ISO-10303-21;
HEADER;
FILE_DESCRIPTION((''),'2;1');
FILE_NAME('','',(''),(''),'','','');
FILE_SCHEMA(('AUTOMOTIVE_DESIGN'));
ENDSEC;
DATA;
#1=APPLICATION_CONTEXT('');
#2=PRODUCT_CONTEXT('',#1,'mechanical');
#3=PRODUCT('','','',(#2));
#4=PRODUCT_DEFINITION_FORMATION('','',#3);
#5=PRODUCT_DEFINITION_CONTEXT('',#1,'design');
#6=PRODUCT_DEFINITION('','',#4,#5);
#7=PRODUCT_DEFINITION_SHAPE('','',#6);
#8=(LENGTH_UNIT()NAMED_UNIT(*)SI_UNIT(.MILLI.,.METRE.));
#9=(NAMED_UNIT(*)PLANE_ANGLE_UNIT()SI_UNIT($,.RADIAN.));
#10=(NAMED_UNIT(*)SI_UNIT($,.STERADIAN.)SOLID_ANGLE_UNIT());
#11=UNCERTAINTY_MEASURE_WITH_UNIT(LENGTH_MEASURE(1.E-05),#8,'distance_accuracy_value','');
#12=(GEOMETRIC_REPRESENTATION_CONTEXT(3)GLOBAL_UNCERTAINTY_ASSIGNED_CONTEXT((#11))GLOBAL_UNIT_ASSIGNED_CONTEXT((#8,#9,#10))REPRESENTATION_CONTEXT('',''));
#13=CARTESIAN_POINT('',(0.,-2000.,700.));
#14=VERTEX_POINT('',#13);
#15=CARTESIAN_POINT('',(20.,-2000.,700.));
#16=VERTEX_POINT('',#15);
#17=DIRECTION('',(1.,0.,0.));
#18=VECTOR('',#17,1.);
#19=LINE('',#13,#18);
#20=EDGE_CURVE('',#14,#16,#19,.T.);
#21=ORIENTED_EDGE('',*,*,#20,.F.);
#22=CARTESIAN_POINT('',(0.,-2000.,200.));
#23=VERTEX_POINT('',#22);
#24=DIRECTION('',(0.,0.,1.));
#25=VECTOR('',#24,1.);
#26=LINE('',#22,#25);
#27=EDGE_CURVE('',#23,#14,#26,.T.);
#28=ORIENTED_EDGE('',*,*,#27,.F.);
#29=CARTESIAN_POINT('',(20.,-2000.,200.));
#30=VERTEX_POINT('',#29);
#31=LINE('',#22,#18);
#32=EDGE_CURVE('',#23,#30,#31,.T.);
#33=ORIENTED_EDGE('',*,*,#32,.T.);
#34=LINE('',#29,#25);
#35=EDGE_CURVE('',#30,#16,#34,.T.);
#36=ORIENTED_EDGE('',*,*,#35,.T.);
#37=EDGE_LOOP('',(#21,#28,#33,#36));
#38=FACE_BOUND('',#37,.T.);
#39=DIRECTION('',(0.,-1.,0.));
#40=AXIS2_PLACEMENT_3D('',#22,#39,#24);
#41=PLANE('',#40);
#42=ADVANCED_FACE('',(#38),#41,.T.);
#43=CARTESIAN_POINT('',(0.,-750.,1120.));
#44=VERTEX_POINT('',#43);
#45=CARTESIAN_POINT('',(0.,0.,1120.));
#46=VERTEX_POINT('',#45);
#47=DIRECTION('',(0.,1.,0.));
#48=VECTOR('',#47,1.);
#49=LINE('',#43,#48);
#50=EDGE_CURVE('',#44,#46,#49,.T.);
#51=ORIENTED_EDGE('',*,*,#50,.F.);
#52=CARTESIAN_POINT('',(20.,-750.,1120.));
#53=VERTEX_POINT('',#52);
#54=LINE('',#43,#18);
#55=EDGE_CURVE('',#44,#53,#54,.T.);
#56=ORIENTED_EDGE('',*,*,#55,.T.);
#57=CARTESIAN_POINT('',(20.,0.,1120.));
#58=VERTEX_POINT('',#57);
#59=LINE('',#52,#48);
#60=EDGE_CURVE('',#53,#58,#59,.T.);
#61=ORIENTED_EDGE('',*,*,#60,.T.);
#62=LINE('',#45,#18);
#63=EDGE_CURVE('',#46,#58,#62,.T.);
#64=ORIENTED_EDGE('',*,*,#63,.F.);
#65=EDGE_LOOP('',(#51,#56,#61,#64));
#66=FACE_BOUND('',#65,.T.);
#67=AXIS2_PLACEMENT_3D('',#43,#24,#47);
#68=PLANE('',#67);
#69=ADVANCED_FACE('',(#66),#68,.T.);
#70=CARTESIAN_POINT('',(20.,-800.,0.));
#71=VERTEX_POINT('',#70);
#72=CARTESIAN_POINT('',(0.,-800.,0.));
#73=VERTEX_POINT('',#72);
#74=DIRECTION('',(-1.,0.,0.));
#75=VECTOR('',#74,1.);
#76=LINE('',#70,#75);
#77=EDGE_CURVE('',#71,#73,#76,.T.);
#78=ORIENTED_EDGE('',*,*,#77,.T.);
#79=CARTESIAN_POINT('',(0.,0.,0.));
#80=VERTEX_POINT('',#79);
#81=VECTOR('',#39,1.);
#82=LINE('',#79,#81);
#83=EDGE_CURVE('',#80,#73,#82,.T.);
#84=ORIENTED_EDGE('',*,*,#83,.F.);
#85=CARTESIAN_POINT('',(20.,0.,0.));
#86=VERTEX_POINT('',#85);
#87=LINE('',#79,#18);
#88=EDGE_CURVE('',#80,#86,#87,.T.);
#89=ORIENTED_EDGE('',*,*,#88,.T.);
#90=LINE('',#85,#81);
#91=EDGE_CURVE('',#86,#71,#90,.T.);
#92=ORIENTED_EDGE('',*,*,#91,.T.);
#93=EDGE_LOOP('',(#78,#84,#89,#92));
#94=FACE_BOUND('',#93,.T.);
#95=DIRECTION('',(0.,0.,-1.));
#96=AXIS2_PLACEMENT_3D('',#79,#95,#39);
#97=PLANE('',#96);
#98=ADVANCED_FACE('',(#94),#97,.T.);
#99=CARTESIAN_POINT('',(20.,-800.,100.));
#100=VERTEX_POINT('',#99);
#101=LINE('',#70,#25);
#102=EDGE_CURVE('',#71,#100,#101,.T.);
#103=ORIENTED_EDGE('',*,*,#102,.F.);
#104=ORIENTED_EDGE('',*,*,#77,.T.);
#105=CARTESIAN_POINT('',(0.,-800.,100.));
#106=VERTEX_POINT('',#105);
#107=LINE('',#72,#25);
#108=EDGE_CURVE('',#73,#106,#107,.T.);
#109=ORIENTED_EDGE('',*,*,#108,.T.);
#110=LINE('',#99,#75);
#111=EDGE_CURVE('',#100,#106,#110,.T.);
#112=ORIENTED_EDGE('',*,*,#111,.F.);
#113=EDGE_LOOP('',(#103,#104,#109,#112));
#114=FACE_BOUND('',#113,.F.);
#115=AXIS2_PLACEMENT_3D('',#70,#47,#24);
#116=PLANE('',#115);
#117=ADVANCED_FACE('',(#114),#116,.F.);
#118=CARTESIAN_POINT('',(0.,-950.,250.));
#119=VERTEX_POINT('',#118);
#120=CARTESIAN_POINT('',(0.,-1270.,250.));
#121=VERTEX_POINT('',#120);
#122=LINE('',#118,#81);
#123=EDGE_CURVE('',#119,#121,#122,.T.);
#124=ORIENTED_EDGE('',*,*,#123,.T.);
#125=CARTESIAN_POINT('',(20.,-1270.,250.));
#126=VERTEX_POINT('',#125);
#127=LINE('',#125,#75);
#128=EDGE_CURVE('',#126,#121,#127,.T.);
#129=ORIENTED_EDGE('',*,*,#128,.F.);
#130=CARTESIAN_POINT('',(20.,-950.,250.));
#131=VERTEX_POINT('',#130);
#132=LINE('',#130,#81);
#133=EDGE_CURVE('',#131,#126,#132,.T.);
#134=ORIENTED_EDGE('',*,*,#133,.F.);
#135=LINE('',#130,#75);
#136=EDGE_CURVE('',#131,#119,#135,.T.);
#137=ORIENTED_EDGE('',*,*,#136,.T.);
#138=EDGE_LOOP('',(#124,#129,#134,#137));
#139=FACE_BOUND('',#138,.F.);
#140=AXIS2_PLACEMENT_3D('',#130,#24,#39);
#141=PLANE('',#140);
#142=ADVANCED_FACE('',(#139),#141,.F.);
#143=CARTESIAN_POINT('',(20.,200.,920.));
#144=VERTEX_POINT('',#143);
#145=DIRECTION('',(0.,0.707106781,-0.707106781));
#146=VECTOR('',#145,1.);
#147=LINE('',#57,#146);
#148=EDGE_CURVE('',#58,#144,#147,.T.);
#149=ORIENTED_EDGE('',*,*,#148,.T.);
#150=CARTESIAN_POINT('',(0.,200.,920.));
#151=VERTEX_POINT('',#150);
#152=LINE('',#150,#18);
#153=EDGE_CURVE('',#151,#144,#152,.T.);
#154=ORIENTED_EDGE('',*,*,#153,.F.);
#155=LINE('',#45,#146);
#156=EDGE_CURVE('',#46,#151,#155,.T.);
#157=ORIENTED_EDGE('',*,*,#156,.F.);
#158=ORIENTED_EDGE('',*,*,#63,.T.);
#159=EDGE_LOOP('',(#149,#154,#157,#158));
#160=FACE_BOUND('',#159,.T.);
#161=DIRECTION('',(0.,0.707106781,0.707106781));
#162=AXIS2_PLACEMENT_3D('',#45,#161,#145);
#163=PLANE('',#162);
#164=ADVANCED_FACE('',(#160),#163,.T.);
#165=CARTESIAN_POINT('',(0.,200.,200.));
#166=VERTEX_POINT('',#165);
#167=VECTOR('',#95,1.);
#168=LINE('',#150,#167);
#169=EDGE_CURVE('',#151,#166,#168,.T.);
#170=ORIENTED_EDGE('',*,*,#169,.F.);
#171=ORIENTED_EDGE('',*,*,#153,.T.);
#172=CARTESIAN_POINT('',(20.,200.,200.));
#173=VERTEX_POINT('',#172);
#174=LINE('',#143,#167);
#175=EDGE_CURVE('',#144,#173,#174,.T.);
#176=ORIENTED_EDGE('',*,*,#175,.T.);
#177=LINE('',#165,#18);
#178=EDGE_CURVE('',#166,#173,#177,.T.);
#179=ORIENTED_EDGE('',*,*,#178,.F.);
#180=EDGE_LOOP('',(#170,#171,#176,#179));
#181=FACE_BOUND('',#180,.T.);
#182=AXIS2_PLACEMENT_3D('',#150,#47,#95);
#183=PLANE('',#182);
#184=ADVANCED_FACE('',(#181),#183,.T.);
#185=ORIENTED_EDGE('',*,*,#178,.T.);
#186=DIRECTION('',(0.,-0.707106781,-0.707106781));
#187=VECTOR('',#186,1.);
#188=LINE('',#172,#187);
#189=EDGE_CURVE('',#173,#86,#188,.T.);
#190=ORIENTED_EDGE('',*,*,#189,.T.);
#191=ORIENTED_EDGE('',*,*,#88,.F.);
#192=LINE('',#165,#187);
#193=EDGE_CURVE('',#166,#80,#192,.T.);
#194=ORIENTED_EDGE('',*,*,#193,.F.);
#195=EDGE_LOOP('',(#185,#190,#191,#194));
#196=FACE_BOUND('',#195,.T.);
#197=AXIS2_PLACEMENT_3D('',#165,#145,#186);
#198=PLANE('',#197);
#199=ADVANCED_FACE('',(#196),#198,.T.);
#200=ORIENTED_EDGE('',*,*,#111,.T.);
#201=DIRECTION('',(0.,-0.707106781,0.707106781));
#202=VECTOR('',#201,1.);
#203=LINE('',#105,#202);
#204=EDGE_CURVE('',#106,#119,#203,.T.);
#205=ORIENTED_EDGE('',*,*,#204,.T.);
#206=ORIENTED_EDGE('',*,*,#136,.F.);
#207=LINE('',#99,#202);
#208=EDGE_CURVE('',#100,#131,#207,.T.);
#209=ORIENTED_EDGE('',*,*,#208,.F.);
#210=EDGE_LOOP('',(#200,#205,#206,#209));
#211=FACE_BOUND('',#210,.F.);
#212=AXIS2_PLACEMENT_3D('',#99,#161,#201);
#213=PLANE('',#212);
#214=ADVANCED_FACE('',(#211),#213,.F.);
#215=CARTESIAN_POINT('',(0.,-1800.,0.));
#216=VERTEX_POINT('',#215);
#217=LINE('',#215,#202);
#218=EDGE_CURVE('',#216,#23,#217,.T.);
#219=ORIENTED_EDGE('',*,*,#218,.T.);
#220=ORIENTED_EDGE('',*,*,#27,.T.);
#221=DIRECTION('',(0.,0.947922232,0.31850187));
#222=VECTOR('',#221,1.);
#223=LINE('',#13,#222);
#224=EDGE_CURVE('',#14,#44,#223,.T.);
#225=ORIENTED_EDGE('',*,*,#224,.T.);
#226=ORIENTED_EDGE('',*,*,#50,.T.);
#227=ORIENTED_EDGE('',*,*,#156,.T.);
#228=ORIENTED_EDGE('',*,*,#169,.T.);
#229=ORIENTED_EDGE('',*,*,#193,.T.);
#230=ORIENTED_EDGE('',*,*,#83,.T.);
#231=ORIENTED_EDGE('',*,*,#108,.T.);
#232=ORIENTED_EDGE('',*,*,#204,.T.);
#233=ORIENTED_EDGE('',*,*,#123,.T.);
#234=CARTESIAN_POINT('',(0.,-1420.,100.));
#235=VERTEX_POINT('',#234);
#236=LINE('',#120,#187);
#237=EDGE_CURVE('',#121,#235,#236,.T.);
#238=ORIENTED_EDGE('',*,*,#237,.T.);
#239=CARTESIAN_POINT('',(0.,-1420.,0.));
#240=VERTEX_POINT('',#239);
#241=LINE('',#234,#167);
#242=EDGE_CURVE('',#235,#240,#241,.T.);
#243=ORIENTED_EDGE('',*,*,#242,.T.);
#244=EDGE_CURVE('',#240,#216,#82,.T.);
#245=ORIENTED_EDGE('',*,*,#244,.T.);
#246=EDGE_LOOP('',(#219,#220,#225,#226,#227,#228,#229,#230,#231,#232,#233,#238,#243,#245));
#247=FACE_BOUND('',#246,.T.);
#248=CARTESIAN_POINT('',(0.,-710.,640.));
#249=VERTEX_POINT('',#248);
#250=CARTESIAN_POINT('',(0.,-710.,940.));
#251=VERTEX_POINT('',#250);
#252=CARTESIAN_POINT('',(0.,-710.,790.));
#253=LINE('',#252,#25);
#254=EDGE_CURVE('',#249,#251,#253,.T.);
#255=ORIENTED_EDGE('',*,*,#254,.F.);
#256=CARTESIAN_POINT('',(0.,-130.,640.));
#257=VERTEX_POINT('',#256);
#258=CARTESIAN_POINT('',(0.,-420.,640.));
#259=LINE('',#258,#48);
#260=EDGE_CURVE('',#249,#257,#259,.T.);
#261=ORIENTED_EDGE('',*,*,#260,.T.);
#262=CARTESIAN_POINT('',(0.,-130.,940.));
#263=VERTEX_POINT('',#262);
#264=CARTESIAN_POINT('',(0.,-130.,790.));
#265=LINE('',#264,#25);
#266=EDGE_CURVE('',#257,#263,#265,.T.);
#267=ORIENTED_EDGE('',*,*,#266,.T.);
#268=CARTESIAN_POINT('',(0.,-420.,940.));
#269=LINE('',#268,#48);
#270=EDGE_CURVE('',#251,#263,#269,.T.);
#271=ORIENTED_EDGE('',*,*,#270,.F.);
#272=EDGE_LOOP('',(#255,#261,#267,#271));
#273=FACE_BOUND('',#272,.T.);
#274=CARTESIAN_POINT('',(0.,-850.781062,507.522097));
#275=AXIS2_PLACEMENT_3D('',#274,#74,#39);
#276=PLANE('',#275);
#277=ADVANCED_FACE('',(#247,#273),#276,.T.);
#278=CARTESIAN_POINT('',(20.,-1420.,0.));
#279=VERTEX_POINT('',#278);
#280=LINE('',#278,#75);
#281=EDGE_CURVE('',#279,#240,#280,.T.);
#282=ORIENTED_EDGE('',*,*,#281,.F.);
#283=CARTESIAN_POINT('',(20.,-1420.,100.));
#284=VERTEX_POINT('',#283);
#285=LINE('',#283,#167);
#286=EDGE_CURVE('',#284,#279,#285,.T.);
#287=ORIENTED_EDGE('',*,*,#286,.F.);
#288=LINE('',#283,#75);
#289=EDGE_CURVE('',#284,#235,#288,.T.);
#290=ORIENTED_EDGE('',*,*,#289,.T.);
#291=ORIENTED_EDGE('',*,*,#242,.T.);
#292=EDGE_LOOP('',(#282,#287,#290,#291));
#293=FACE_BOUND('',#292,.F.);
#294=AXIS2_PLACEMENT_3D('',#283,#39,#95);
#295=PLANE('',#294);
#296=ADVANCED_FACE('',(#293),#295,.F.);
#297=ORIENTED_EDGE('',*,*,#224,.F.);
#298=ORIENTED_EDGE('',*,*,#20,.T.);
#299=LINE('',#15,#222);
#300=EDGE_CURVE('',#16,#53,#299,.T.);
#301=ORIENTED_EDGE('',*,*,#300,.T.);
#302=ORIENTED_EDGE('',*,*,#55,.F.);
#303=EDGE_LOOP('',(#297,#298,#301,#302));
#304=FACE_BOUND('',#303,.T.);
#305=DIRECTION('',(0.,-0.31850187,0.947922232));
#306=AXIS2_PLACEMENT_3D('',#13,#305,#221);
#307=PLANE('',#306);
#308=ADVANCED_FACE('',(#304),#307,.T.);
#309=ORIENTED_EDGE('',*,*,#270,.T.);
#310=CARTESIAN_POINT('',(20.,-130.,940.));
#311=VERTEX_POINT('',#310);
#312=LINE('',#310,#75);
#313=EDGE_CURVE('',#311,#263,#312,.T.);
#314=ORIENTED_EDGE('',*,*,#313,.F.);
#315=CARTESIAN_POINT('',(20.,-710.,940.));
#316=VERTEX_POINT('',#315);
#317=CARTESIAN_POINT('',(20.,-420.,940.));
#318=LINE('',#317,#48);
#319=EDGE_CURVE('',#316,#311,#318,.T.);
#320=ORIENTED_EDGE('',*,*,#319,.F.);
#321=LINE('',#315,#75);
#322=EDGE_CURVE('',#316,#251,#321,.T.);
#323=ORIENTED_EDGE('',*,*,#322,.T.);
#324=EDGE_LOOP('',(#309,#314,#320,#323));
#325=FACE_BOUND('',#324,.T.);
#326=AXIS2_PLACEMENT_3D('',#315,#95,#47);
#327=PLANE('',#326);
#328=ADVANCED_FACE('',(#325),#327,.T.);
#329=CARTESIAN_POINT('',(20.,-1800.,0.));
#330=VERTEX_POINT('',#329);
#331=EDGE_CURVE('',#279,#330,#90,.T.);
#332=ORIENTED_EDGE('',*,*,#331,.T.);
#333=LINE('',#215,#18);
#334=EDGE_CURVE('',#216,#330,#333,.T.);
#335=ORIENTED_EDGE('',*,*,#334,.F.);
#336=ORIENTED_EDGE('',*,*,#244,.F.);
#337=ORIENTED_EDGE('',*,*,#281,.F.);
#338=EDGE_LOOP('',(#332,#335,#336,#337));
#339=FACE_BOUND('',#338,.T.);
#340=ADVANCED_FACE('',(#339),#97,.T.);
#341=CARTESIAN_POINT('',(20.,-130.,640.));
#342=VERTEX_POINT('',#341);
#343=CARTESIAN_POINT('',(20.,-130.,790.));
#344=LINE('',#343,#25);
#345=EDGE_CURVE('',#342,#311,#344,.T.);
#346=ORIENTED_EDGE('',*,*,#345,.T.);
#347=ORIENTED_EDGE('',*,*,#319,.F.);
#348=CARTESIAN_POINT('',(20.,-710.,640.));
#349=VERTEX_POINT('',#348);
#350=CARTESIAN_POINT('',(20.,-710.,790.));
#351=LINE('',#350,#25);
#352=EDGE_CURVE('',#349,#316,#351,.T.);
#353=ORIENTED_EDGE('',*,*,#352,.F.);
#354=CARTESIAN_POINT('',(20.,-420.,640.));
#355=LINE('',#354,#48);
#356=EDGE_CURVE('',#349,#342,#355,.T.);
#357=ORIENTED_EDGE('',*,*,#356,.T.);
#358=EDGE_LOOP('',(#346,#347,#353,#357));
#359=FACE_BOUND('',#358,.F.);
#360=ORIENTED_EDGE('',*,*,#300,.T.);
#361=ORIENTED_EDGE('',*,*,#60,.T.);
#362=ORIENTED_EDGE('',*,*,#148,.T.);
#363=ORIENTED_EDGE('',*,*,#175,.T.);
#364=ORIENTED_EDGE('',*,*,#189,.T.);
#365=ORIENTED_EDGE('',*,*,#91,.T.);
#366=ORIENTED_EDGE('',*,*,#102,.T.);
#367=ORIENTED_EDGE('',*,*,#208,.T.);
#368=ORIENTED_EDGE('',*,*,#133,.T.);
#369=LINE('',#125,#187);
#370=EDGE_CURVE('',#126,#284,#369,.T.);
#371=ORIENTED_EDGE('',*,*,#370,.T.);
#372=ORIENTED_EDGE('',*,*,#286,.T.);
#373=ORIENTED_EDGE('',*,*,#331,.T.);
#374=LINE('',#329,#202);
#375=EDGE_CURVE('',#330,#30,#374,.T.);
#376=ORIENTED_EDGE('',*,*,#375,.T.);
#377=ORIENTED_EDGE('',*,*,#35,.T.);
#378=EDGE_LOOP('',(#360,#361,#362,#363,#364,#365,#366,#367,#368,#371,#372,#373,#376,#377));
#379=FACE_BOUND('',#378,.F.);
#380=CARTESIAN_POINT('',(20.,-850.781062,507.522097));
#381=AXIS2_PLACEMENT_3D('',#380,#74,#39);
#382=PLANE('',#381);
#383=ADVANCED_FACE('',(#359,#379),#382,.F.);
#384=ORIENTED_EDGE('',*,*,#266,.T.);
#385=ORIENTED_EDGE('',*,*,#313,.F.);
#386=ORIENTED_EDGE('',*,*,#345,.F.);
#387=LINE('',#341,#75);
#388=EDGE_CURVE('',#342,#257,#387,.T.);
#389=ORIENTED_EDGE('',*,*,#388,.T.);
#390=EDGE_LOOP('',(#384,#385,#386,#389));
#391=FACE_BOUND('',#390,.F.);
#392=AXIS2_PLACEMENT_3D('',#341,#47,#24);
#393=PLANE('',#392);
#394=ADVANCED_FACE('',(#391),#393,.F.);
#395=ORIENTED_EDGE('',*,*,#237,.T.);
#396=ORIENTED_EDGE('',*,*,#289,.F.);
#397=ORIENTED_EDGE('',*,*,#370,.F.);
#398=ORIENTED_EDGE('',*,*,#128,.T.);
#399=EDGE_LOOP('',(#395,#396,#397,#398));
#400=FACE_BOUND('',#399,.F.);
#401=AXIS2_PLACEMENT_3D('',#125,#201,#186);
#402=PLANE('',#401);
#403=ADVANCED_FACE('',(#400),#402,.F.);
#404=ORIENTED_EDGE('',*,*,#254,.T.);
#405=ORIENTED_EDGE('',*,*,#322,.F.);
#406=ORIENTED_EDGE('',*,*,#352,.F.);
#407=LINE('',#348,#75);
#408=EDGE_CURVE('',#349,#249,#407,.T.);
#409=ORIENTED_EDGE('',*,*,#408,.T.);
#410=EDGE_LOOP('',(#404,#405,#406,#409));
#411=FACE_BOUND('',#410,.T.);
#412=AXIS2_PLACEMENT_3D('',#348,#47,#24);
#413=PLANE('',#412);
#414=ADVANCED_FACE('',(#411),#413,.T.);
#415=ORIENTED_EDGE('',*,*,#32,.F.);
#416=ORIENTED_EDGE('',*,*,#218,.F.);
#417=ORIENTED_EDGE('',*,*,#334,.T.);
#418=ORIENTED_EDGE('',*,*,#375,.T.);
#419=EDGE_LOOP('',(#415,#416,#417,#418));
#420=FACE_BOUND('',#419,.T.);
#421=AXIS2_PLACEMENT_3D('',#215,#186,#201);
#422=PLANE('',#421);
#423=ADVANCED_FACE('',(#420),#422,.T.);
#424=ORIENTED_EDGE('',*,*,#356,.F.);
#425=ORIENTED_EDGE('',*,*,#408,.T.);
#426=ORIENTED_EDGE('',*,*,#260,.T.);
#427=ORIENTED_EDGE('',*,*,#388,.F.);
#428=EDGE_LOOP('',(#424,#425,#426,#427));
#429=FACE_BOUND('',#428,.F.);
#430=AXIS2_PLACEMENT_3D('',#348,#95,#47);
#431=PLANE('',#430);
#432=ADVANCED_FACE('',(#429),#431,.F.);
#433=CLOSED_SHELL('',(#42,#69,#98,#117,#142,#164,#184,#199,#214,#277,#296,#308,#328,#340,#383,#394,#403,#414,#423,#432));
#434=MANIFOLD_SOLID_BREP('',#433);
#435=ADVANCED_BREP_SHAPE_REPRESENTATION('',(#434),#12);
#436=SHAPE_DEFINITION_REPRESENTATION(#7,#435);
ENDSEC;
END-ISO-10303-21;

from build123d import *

# Parameters (mm, degrees)
PAD_DEPTH       = 20
POCKET_DEPTH    = 20
SKETCH002_W     = 580
SKETCH002_H     = 300
POCKET001_DEPTH = 20


with BuildPart() as part:
    # Sketch → Pad (new body)
    with BuildSketch(Plane.YZ):
        Polygon((-2000, 200), (-2000, 700), (-750, 1120), (0, 1120), (200, 920), (200, 200), (0, 0), (-1800, 0), align=None)
    extrude(amount=PAD_DEPTH)

    # Sketch001 (on Face10 of Pad) → Pocket (cut)
    with BuildSketch(Plane.YZ.offset(20)):
        Polygon((-950, 250), (-1270, 250), (-1420, 100), (-1420, 0), (-800, 0), (-800, 100), align=None)
    extrude(amount=-POCKET_DEPTH, mode=Mode.SUBTRACT)

    # Sketch002 (on Face5 of Pocket) → Pocket001 (cut)
    with BuildSketch(Plane.YZ.offset(20)):
        with Locations((-420, 790)):
            Rectangle(SKETCH002_W, SKETCH002_H)
    extrude(amount=-POCKET001_DEPTH, mode=Mode.SUBTRACT)


solid = part.part
